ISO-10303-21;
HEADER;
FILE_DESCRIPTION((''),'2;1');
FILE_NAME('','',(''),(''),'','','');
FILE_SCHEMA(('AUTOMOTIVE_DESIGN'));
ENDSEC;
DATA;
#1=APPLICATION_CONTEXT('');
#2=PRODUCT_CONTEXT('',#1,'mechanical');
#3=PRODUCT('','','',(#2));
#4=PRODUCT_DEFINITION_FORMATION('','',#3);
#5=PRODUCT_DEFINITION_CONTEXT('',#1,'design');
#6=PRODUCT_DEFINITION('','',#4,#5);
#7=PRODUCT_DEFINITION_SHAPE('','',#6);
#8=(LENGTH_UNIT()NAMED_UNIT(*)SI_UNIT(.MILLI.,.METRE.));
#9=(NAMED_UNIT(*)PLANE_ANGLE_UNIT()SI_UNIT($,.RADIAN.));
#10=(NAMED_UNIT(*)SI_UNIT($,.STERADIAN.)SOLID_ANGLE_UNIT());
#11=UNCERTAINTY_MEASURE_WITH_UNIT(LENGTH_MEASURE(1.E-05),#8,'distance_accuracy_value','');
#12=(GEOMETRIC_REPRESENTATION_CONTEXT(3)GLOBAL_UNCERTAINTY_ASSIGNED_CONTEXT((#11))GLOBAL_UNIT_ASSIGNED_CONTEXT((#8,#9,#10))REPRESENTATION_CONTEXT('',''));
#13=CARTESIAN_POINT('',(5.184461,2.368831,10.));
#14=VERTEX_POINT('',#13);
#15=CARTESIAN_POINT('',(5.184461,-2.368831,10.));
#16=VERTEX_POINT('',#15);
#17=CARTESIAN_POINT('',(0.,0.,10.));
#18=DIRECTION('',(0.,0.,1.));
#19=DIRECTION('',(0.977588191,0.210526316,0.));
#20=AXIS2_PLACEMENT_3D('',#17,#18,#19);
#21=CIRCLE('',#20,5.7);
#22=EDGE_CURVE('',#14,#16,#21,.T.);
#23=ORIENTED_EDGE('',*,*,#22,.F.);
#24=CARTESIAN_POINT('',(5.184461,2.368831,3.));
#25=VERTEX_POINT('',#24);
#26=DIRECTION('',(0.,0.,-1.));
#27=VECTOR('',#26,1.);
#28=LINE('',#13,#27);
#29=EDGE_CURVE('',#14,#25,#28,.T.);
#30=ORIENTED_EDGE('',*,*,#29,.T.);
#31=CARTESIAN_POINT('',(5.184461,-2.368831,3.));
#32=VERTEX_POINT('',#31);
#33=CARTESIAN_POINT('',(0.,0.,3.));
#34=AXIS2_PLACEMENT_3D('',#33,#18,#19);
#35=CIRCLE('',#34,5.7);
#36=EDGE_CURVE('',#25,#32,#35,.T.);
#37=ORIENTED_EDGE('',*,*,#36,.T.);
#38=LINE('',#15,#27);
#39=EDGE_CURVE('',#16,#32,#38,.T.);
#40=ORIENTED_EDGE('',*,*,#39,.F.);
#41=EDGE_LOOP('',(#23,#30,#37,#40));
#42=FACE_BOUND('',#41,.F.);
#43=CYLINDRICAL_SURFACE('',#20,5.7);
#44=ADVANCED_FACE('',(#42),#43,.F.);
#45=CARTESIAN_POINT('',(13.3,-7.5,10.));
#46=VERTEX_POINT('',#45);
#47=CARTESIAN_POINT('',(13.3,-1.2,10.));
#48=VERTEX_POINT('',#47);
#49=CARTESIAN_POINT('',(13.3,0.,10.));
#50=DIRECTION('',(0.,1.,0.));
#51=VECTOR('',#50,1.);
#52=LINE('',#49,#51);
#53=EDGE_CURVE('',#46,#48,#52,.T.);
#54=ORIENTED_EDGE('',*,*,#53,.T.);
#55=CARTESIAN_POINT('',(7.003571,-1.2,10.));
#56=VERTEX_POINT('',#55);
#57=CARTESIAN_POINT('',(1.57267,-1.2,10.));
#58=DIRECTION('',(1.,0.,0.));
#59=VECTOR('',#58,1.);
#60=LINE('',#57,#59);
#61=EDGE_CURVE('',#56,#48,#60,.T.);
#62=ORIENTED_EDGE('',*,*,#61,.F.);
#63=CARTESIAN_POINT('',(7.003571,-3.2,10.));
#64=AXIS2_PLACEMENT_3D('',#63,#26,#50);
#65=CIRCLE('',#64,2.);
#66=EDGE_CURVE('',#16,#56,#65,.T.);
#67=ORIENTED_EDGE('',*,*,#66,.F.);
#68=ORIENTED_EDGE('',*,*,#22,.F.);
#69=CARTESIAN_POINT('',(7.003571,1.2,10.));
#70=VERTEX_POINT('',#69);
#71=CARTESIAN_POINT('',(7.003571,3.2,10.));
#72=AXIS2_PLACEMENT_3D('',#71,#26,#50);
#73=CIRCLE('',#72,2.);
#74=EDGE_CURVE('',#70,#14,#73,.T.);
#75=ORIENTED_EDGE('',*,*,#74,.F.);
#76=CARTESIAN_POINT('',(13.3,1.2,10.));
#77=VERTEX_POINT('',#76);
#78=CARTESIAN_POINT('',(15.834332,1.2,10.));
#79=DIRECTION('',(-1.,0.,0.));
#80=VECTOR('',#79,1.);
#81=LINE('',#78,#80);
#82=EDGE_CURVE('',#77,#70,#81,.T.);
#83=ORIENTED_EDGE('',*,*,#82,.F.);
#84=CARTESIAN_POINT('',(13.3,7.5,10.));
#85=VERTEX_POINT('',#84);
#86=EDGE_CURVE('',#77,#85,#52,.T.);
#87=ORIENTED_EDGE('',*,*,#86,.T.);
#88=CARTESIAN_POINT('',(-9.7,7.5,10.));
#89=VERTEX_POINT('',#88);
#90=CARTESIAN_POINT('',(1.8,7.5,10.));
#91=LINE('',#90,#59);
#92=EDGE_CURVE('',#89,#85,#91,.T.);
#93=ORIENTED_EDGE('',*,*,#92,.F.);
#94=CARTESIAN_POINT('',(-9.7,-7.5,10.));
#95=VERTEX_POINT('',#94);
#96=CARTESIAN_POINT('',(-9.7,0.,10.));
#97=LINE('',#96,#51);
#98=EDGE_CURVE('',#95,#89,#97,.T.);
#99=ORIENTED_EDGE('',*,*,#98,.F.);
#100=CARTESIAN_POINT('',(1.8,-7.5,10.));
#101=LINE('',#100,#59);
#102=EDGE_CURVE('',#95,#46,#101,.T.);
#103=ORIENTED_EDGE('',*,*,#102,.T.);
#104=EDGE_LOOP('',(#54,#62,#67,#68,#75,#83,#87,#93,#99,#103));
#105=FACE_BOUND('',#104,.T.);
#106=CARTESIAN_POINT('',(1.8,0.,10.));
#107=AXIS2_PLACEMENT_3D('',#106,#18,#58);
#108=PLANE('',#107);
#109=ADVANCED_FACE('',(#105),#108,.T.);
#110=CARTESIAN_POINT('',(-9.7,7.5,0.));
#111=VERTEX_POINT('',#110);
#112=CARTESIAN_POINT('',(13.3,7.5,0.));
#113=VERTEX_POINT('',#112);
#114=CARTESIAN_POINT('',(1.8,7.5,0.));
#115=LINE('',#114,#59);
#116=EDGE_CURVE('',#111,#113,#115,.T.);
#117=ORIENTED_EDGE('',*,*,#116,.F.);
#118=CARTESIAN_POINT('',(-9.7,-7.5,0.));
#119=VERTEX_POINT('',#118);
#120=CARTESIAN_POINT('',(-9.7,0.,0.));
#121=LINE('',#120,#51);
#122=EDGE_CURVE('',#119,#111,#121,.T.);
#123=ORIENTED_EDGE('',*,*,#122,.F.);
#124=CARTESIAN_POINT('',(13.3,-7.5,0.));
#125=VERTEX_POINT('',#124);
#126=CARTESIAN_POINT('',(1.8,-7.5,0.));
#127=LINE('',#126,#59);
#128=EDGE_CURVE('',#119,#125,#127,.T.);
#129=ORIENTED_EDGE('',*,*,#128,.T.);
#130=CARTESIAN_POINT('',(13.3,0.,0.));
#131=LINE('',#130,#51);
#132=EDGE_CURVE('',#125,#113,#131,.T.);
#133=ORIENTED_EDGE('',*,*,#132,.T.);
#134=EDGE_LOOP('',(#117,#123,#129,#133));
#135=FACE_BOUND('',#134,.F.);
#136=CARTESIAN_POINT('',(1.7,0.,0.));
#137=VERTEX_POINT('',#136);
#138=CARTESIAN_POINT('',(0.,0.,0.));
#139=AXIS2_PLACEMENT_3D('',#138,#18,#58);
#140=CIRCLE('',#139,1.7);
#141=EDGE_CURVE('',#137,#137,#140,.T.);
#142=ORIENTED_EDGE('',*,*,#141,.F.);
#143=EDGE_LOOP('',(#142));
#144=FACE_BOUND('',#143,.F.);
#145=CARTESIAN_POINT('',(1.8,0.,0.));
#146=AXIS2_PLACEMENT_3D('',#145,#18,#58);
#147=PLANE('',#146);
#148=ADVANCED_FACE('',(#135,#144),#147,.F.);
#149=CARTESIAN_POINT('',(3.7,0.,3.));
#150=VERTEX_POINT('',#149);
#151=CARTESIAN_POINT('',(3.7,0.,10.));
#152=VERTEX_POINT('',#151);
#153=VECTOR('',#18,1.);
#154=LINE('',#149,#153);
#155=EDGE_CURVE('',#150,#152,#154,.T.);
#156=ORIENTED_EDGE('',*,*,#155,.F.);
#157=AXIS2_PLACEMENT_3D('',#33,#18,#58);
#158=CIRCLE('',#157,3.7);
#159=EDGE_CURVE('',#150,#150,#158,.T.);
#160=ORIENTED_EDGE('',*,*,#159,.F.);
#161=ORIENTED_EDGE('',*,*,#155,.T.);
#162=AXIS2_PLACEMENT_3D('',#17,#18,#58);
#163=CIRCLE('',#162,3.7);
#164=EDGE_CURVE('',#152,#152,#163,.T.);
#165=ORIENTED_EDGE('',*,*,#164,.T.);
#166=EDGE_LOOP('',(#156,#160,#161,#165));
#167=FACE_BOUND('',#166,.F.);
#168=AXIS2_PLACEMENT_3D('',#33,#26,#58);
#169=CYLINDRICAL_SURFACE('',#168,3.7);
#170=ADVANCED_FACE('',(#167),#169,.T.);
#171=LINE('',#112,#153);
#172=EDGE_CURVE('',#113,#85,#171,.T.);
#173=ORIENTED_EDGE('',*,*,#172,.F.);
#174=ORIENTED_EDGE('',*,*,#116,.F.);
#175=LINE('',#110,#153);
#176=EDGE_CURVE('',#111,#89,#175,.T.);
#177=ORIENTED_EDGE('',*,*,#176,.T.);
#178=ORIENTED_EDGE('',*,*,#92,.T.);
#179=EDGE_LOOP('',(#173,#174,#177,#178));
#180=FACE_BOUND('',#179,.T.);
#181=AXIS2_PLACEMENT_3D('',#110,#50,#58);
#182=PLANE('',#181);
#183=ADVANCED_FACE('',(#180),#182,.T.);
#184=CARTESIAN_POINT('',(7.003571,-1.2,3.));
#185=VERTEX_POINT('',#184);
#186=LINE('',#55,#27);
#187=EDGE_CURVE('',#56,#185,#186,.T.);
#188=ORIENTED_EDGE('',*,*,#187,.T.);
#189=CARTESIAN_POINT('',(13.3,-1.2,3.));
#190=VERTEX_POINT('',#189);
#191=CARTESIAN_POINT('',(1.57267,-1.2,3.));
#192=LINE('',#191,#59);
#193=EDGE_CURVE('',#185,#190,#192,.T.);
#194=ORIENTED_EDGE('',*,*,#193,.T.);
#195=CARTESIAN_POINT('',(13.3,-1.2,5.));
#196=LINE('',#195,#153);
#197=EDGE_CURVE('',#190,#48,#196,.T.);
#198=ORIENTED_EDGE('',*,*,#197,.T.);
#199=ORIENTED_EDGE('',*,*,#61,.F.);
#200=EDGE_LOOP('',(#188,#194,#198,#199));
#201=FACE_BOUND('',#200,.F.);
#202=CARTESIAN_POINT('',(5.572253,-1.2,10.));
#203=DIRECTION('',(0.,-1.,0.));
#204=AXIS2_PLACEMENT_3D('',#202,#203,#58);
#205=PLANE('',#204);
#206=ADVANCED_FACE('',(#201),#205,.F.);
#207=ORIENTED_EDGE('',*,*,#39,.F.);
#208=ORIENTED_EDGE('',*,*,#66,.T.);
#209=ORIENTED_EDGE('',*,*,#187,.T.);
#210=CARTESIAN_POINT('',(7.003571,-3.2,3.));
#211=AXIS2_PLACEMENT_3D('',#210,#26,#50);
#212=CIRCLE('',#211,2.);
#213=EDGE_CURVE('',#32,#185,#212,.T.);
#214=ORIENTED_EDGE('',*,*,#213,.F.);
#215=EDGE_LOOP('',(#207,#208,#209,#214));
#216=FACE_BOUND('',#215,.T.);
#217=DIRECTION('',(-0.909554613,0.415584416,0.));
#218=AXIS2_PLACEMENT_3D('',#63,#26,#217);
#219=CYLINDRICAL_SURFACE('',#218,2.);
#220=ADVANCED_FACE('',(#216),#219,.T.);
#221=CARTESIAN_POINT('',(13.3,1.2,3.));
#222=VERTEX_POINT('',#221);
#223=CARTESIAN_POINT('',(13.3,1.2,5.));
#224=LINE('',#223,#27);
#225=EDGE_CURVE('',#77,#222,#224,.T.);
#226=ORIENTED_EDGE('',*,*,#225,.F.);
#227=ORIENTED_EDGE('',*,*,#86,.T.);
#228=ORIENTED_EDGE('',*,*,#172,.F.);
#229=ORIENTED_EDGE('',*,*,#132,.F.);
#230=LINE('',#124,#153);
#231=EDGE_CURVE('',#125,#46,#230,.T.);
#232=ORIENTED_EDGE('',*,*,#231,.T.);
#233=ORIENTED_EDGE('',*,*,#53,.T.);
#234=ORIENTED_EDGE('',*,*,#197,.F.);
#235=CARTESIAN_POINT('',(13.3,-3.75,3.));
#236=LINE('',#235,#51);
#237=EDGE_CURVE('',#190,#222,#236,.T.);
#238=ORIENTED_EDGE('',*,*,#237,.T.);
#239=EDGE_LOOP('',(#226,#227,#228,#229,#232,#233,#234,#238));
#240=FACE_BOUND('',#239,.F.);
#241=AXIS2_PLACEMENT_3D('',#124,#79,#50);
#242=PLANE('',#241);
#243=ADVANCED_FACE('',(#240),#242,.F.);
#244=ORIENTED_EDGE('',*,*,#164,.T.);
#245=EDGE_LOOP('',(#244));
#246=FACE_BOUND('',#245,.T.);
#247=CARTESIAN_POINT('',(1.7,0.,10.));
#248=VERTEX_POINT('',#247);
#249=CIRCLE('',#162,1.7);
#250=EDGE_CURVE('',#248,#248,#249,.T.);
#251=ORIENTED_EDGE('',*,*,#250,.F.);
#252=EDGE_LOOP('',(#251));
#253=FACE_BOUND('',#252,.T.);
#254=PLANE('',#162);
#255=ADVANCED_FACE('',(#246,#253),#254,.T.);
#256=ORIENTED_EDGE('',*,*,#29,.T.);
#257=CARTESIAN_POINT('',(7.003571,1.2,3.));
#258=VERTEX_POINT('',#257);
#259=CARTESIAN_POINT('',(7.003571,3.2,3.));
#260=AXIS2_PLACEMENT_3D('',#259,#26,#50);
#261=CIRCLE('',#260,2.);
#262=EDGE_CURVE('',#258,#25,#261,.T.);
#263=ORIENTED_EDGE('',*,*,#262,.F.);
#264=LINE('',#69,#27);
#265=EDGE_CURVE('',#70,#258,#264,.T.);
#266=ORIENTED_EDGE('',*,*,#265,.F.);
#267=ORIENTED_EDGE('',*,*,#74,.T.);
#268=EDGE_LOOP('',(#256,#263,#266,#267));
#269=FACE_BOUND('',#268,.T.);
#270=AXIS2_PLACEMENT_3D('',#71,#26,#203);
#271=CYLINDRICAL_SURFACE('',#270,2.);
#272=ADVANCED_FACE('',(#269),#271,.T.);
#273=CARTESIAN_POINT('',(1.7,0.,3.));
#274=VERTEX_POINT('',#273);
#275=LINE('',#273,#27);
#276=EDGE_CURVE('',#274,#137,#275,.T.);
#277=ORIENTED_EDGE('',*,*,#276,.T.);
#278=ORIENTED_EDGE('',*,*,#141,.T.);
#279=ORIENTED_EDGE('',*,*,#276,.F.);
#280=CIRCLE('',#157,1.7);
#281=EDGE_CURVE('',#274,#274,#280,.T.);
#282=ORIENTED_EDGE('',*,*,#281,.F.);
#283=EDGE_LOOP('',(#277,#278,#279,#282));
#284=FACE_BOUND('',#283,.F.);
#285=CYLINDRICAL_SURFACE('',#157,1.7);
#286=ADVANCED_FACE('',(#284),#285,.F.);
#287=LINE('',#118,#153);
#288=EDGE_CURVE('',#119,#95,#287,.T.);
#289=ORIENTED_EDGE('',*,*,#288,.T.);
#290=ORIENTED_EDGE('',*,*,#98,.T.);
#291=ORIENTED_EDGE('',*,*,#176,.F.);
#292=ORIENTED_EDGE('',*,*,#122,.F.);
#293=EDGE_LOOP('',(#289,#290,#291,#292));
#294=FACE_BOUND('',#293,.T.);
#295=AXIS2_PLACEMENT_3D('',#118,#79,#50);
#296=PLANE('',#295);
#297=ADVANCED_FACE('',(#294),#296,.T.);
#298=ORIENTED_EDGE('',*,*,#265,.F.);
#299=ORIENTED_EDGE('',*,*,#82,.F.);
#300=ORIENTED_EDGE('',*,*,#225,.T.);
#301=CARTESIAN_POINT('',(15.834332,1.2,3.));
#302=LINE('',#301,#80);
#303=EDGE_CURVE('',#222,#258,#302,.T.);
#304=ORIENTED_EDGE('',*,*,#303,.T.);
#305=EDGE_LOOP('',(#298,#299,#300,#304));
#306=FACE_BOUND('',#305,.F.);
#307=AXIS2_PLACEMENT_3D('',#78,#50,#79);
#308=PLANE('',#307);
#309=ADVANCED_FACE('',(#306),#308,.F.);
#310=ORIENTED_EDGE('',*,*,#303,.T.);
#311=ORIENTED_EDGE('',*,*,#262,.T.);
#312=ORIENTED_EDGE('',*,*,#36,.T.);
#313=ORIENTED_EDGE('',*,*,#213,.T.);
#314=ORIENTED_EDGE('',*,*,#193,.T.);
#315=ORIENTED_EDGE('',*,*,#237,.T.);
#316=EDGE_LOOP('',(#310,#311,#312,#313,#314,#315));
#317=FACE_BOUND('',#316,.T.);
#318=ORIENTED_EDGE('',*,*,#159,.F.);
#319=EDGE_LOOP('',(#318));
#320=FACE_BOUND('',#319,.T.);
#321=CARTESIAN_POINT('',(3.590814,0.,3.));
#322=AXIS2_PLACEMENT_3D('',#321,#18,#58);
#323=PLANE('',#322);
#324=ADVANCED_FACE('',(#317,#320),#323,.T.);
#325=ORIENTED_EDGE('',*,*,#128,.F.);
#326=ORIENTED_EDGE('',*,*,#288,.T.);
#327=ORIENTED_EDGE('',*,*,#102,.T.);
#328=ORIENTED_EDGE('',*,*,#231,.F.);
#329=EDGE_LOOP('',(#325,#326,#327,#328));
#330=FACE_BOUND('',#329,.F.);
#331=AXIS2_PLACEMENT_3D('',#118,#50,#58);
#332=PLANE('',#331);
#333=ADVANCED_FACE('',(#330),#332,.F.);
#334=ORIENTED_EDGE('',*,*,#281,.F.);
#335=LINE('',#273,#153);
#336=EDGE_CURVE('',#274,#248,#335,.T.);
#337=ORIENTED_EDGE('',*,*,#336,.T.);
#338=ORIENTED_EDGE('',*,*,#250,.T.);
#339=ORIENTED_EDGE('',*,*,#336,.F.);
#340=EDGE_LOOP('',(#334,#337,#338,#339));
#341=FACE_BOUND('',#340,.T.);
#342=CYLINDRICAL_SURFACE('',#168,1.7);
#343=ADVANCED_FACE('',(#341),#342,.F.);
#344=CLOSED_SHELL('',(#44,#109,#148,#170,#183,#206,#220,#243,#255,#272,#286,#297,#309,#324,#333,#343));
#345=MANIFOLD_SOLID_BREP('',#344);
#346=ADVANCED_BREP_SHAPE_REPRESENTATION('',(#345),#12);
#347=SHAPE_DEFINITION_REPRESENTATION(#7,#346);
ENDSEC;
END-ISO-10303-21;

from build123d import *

# Parameters (mm, degrees)
F1_W     = 23
F1_H     = 15
F2_DEPTH = 10
F4_DEPTH = 7
F5_R     = 2
F6_R     = 3.7
F6_R_2   = 1.7
F7_DEPTH = 7
F8_DEPTH = 25


with BuildPart() as f2:
    # F1 (on Top) → F2 (new body)
    with BuildSketch(Plane.XY):
        with Locations((1.8, 0)):
            Rectangle(F1_W, F1_H)
    extrude(amount=F2_DEPTH)

    # F3 (on face) → F4 (cut)
    with BuildSketch(Plane.XY.offset(10)):
        with BuildLine():
            ThreePointArc((5.5722526863, -1.2), (5.6679731965, -0.6033902916), (5.7, 0))
            ThreePointArc((5.7, 0), (5.6679731965, 0.6033902916), (5.5722526863, 1.2))
            Line((5.5722526863, 1.2), (1.572670415, 1.2))
            Line((1.572670415, 1.2), (1.572670415, -1.2))
            Line((1.572670415, -1.2), (5.5722526863, -1.2))
        make_face()
        with BuildLine():
            ThreePointArc((5.5722526863, 1.2), (5.6679731965, 0.6033902916), (5.7, 0))
            ThreePointArc((5.7, 0), (5.6679731965, -0.6033902916), (5.5722526863, -1.2))
            Line((5.5722526863, -1.2), (15.8343315125, -1.2))
            Line((15.8343315125, -1.2), (15.8343315125, 1.2))
            Line((15.8343315125, 1.2), (5.5722526863, 1.2))
        make_face()
        with BuildLine():
            Line((1.572670415, 1.2), (5.5722526863, 1.2))
            ThreePointArc((5.5722526863, 1.2), (-5.7, 0), (5.5722526863, -1.2))
            Line((5.5722526863, -1.2), (1.572670415, -1.2))
            Line((1.572670415, -1.2), (1.572670415, 1.2))
        make_face()
    extrude(amount=-F4_DEPTH, mode=Mode.SUBTRACT)

    # F5
    f5_edges = [f2.edges().sort_by_distance(p)[0] for p in [
        (5.572253, 1.2, 6.5),
        (5.572253, -1.2, 6.5),
    ]]
    fillet(f5_edges, radius=F5_R)

    # F6 (on face) → F7 (join)
    with BuildSketch(Plane.XY.offset(3)):
        Circle(F6_R)
        Circle(F6_R_2, mode=Mode.SUBTRACT)
    extrude(amount=F7_DEPTH)

    # F8 (cut): a face of the model
    f8_faces = [f2.faces().sort_by_distance(p)[0] for p in [
        (0, 0, 3),
    ]]
    extrude(f8_faces, amount=-F8_DEPTH, mode=Mode.SUBTRACT)


solid = f2.part
